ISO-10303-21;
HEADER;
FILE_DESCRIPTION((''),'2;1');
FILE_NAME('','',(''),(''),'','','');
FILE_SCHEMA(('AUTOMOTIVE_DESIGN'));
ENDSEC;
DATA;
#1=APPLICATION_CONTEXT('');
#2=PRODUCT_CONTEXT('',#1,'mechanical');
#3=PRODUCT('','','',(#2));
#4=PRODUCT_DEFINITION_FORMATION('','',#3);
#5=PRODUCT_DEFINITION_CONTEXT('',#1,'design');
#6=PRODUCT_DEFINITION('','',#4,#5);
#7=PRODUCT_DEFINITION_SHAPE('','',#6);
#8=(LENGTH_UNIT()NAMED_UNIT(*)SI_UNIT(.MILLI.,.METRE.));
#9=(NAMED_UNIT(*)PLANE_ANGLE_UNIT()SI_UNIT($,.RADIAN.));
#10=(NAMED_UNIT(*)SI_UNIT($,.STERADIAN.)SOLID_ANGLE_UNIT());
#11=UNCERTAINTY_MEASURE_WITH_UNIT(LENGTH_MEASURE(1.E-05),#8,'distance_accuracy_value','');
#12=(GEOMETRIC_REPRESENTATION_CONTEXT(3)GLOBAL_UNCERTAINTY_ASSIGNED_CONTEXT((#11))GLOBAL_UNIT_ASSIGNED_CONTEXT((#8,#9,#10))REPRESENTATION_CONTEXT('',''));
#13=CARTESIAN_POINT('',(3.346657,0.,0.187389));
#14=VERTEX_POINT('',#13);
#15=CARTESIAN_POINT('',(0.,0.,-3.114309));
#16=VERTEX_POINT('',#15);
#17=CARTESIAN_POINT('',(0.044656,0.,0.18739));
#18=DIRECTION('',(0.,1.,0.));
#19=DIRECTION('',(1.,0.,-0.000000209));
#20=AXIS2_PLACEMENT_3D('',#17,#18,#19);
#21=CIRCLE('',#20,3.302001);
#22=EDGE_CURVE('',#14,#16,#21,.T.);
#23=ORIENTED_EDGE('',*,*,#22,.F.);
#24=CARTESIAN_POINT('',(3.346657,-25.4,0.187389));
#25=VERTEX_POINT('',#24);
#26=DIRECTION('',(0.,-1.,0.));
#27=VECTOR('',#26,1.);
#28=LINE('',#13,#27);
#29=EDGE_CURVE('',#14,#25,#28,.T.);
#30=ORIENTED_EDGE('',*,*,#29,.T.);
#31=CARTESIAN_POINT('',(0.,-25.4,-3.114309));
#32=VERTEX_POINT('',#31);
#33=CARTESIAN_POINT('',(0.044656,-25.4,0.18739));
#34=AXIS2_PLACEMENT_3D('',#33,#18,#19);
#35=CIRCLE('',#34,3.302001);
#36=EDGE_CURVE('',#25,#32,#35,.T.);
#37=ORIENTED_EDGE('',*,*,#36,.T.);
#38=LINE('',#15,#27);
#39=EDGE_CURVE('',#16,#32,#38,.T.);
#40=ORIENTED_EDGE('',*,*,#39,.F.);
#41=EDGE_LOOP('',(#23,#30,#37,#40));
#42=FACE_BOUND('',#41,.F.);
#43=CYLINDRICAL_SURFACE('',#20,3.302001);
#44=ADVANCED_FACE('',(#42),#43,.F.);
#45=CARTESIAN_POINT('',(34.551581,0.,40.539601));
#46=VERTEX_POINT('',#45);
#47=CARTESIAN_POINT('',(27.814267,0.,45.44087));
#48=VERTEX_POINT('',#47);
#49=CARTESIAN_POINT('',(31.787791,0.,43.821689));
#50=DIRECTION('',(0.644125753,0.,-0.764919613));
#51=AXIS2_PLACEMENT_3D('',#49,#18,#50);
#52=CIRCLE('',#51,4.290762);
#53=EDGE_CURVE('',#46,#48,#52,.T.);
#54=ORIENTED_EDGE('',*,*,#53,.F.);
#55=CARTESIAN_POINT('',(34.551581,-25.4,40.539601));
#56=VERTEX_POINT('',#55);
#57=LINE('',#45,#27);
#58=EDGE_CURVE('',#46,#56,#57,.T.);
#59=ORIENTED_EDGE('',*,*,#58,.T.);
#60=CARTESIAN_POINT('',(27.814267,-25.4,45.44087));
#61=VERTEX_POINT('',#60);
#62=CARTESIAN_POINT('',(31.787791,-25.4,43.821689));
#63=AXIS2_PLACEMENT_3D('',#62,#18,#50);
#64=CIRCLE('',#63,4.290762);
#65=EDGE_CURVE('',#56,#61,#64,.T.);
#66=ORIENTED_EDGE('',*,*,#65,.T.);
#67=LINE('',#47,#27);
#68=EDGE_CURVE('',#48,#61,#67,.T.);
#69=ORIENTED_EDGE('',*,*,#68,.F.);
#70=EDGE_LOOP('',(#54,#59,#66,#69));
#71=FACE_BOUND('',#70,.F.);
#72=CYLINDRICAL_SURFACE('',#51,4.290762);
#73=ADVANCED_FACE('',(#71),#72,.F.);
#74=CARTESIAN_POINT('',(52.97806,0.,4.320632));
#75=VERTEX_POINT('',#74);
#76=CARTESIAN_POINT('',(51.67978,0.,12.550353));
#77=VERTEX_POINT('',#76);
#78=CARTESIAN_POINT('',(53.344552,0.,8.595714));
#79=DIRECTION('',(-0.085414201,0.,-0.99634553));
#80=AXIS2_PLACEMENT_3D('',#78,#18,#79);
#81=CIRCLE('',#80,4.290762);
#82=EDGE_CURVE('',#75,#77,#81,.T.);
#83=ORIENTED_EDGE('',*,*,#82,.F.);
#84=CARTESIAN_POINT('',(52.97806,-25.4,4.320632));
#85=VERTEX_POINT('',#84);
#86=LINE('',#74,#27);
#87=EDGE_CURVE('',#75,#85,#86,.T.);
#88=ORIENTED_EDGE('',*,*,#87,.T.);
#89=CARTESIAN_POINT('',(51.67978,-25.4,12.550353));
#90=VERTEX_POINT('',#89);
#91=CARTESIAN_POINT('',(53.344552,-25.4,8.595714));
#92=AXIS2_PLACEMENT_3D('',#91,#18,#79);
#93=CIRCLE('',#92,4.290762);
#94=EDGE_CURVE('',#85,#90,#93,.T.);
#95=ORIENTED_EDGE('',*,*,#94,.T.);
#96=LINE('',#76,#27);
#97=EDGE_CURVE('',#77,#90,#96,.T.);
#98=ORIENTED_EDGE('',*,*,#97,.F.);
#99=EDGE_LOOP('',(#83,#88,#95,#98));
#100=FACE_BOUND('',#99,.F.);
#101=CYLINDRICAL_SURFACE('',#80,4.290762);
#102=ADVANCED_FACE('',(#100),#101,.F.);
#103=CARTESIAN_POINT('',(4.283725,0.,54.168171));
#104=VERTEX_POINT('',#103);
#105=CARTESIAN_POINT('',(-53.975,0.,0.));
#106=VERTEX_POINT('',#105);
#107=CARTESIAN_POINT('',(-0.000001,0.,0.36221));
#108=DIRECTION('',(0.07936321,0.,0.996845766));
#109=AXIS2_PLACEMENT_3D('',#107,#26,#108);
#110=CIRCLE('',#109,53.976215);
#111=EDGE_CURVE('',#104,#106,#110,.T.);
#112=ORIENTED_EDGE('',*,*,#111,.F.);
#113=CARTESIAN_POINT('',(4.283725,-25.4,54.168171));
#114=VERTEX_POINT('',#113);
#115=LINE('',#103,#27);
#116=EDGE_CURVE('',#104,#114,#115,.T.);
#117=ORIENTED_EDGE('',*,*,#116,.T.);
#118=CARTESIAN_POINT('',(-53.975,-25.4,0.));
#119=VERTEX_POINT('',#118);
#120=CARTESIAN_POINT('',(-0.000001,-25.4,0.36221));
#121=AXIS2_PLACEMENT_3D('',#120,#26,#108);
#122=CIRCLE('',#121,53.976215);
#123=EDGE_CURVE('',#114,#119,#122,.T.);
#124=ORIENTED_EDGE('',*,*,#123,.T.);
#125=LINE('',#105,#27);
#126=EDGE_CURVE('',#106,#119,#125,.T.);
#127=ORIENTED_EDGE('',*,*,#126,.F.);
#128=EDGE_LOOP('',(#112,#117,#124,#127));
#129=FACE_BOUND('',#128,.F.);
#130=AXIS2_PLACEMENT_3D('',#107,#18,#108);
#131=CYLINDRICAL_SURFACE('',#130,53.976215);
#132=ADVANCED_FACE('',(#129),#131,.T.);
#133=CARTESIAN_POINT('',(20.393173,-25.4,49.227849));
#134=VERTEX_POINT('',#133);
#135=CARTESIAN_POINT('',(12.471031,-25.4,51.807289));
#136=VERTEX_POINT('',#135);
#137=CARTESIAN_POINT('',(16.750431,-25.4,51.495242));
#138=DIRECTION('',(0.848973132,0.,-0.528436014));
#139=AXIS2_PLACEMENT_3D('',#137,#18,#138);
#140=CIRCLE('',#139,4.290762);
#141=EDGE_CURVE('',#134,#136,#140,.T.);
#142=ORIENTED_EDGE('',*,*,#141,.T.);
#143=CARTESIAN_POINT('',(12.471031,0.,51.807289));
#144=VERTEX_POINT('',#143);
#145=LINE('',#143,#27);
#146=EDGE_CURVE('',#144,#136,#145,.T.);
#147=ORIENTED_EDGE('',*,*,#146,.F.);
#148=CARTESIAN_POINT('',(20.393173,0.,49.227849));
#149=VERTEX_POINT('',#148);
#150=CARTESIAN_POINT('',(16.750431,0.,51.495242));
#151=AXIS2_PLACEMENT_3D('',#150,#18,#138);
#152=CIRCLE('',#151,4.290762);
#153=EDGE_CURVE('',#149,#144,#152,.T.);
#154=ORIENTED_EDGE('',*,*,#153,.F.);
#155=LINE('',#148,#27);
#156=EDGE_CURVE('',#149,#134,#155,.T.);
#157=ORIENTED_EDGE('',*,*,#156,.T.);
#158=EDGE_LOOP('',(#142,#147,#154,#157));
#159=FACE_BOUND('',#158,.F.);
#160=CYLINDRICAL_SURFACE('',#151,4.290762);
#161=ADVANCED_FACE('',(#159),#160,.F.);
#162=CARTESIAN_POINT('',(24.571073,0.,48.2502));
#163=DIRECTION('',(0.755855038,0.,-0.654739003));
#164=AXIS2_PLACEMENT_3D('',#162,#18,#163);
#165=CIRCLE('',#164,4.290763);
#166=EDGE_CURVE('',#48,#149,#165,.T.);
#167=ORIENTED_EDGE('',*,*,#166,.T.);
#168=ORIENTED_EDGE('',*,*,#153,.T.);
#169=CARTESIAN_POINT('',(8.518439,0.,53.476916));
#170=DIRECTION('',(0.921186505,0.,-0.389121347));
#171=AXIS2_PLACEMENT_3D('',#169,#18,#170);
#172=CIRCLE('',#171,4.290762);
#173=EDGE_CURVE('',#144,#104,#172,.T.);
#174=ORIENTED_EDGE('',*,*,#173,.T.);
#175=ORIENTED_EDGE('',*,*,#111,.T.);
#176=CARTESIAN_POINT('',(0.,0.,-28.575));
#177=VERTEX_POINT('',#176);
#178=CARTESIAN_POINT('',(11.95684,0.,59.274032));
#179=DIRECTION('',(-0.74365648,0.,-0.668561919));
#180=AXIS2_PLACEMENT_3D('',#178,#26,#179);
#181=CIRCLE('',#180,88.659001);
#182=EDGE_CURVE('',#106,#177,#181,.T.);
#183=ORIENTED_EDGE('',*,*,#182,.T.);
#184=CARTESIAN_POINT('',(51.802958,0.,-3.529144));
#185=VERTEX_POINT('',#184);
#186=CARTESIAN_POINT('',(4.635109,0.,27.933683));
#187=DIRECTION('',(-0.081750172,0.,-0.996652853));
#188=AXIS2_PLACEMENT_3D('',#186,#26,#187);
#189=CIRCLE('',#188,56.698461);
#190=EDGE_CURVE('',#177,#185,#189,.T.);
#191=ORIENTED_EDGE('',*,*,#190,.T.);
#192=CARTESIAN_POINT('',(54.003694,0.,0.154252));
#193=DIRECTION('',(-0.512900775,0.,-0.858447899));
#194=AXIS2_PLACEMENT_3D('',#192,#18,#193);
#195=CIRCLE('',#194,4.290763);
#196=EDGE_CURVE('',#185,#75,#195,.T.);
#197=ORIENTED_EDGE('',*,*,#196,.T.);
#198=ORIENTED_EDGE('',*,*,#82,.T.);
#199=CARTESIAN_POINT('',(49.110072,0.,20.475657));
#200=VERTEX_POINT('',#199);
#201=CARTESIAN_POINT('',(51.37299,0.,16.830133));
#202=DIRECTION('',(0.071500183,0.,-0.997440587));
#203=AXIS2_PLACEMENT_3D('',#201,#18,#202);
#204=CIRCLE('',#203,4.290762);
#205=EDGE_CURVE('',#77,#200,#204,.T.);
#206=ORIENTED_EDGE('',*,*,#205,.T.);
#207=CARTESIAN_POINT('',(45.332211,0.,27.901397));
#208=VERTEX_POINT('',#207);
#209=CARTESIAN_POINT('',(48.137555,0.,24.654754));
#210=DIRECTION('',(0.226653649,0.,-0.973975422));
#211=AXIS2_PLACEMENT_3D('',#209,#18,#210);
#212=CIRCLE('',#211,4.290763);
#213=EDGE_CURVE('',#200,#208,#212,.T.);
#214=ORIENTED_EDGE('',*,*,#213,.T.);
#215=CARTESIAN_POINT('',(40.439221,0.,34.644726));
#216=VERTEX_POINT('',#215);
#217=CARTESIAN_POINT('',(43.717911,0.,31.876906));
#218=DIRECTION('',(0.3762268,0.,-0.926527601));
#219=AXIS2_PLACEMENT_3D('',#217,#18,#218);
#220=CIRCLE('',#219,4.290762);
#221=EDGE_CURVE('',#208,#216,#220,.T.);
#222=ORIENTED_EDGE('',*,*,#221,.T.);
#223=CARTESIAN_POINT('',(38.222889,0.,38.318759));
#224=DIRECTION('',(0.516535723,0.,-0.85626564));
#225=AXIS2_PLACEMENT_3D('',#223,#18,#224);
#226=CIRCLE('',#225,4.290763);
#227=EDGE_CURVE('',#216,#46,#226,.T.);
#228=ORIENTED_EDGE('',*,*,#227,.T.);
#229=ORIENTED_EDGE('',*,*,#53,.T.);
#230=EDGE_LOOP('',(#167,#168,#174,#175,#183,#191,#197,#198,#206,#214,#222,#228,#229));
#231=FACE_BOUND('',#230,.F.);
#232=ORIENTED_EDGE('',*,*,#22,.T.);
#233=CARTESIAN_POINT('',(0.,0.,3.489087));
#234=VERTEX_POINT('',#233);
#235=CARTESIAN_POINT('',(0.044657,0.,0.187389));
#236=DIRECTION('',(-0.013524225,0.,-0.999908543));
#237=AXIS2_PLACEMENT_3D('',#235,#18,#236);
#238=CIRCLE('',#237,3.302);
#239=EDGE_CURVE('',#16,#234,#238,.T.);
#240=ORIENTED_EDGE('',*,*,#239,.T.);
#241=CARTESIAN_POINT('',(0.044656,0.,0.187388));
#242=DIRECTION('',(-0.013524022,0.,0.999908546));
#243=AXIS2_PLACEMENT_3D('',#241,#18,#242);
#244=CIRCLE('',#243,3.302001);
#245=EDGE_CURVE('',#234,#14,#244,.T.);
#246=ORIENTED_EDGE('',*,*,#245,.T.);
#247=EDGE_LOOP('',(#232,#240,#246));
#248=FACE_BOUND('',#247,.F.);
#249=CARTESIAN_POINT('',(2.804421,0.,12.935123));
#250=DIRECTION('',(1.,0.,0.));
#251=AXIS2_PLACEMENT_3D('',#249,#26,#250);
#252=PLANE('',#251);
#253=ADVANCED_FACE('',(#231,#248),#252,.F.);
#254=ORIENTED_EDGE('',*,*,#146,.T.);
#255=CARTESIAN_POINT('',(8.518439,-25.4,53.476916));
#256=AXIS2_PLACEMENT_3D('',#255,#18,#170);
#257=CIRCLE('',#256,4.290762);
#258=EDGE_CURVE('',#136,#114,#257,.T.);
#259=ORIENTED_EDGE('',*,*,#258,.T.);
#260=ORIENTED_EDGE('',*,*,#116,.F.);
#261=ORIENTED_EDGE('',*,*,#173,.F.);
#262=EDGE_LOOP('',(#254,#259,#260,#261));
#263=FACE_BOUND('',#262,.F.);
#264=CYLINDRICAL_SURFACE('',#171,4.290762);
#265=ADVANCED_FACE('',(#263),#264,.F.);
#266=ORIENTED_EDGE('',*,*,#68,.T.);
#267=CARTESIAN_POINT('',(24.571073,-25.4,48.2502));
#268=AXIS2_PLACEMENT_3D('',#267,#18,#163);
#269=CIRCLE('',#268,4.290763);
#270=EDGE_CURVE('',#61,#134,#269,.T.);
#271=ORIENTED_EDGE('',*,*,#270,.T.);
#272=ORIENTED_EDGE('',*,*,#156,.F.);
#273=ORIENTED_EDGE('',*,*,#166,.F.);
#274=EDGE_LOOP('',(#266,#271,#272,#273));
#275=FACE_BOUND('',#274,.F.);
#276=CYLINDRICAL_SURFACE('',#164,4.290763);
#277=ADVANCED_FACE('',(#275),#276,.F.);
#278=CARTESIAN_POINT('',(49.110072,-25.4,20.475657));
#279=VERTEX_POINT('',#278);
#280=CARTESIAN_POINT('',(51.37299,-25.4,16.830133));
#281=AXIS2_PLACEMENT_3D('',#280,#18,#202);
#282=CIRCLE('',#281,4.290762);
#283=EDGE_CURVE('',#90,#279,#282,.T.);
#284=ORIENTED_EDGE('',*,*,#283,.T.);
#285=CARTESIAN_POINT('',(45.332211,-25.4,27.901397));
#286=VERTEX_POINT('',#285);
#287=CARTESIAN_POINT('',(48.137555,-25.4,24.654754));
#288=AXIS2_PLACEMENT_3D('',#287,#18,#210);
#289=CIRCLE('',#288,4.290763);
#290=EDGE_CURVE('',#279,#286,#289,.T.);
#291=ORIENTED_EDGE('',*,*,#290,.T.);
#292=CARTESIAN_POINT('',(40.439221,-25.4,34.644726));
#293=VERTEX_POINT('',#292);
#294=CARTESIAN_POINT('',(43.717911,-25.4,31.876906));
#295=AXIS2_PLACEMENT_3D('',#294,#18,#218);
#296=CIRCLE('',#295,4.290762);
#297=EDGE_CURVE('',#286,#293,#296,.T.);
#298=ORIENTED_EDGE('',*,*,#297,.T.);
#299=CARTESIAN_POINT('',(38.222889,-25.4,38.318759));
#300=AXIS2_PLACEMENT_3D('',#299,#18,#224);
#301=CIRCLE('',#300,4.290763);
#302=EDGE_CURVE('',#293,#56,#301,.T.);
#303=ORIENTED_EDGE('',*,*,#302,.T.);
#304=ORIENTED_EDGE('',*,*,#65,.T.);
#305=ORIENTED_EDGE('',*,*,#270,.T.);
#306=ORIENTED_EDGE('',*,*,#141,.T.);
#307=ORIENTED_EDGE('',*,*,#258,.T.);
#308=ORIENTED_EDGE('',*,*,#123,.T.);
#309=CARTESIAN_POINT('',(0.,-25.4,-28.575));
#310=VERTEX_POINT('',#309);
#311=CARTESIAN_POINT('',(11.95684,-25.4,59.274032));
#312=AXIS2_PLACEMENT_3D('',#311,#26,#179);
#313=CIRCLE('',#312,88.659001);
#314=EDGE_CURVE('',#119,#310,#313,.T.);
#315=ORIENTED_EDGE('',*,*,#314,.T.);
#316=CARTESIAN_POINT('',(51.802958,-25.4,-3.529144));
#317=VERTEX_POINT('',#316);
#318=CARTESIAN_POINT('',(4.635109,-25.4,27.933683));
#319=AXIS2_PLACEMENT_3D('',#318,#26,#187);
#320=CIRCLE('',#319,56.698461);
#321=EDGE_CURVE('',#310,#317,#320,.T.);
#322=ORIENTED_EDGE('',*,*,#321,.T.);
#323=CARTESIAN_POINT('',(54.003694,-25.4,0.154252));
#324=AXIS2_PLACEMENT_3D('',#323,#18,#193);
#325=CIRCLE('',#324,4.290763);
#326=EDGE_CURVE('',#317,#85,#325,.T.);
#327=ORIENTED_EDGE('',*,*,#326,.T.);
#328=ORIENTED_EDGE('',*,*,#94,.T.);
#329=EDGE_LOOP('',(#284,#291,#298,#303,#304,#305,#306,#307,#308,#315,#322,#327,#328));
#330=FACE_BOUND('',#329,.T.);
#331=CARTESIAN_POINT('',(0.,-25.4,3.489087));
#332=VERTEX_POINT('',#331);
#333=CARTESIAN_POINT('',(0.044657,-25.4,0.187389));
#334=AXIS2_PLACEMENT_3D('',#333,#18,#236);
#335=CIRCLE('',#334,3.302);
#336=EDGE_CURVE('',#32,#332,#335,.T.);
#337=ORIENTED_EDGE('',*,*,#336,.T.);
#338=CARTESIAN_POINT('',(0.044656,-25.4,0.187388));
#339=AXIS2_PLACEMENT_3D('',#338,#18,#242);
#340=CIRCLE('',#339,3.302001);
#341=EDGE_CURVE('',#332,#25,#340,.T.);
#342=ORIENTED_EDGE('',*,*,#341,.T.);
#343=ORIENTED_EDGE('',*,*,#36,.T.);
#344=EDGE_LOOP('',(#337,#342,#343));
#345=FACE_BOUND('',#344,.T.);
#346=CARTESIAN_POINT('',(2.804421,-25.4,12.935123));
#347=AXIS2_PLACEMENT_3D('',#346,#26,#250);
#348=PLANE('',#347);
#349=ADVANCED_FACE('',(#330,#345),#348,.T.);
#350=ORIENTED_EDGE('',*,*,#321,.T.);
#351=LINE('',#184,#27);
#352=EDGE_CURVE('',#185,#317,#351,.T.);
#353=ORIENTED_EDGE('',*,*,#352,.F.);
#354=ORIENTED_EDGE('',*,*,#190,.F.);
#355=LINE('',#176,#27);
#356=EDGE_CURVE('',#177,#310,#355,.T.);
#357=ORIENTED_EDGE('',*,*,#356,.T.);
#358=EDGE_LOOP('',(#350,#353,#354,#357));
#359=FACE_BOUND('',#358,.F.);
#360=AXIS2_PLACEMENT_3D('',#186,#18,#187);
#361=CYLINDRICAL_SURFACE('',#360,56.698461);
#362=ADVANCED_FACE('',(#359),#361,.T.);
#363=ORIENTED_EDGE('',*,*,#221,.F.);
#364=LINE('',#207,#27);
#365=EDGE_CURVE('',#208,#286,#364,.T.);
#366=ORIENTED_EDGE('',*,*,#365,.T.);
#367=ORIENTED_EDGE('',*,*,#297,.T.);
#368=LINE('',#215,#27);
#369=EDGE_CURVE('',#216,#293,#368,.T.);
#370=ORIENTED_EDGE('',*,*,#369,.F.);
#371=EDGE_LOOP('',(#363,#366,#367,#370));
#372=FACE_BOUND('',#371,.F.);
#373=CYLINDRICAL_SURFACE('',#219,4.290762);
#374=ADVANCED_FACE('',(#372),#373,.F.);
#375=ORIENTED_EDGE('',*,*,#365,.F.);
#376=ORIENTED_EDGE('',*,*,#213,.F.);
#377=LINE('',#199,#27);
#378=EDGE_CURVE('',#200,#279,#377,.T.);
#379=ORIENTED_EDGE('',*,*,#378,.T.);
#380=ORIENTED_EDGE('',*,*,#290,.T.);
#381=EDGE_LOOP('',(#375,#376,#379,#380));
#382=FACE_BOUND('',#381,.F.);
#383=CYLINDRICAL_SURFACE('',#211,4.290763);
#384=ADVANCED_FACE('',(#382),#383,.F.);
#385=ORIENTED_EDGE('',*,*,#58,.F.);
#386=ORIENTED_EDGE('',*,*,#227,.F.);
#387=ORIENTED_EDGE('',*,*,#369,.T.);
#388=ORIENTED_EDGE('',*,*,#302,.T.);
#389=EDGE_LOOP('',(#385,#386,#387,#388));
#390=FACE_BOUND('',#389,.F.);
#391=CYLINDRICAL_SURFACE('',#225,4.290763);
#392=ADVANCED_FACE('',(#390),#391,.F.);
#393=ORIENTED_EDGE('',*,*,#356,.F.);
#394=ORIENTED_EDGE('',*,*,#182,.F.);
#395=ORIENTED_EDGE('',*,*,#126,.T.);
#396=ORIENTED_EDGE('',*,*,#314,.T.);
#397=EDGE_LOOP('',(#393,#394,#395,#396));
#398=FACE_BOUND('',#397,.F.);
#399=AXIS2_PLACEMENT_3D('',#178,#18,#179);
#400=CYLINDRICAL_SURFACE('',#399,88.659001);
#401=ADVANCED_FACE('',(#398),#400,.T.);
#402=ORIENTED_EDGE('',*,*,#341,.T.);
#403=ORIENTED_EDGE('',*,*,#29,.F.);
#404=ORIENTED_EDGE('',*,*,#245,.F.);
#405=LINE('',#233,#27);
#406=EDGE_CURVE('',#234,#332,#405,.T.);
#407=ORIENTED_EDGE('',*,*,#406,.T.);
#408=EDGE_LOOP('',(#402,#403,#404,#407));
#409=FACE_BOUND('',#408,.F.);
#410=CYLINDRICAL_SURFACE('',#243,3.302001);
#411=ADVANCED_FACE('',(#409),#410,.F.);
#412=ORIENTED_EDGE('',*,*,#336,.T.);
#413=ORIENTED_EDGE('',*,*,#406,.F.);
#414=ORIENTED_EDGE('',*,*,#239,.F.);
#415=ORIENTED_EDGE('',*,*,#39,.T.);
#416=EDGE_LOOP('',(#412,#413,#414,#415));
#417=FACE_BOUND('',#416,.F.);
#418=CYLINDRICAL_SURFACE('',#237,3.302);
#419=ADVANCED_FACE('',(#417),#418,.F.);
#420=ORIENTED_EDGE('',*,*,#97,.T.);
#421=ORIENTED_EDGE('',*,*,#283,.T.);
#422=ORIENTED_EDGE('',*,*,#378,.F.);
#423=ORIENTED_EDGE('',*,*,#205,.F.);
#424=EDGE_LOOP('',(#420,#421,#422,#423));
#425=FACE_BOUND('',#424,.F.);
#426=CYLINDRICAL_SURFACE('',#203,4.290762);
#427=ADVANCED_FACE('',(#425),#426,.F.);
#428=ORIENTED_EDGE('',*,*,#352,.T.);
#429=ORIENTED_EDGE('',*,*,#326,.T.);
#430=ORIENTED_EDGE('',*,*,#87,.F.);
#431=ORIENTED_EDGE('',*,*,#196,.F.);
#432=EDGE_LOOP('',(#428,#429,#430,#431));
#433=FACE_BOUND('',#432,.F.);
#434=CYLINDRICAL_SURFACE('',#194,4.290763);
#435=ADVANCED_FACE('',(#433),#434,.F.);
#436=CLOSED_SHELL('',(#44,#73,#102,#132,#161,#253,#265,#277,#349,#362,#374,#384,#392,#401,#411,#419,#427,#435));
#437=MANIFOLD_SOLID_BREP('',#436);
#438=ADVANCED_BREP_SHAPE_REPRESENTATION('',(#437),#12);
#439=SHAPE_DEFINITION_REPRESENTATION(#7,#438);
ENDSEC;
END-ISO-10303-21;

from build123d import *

# Parameters (mm, degrees)
F1_DEPTH = 25.4


with BuildPart() as f1:
    # F0 (on Front) → F1 (new body)
    with BuildSketch(Plane.XZ):
        with BuildLine():
            ThreePointArc((-53.975, 0), (-29.525617, -19.081722), (0, -28.575))
            ThreePointArc((0, -28.575), (29.3147, -23.111721), (51.802958, -3.529144))
            ThreePointArc((51.802958, -3.529144), (49.760215, 0.789496), (52.97806, 4.320632))
            ThreePointArc((52.97806, 4.320632), (49.106205, 7.927093), (51.67978, 12.550353))
            ThreePointArc((51.67978, 12.550353), (47.291419, 15.506721), (49.110072, 20.475657))
            ThreePointArc((49.110072, 20.475657), (44.313262, 22.709137), (45.332211, 27.901397))
            ThreePointArc((45.332211, 27.901397), (40.245064, 29.356992), (40.439221, 34.644726))
            ThreePointArc((40.439221, 34.644726), (35.186999, 35.286595), (34.551581, 40.539601))
            ThreePointArc((34.551581, 40.539601), (29.263613, 40.351939), (27.814267, 45.44087))
            ThreePointArc((27.814267, 45.44087), (22.62076, 44.428299), (20.393173, 49.227849))
            ThreePointArc((20.393173, 49.227849), (15.422007, 47.4153), (12.471031, 51.807289))
            ThreePointArc((12.471031, 51.807289), (7.3296, 49.354138), (4.283725, 54.168171))
            ThreePointArc((4.283725, 54.168171), (-36.753958, 39.891672), (-53.975, 0))
        make_face()
        with BuildLine():
            ThreePointArc((0, -3.114309), (-3.257343, 0.187389), (0, 3.489087))
            ThreePointArc((0, 3.489087), (2.363681, 2.537991), (3.346657, 0.187389))
            ThreePointArc((3.346657, 0.187389), (2.363681, -2.163213), (0, -3.114309))
        make_face(mode=Mode.SUBTRACT)
    extrude(amount=F1_DEPTH)


solid = f1.part
